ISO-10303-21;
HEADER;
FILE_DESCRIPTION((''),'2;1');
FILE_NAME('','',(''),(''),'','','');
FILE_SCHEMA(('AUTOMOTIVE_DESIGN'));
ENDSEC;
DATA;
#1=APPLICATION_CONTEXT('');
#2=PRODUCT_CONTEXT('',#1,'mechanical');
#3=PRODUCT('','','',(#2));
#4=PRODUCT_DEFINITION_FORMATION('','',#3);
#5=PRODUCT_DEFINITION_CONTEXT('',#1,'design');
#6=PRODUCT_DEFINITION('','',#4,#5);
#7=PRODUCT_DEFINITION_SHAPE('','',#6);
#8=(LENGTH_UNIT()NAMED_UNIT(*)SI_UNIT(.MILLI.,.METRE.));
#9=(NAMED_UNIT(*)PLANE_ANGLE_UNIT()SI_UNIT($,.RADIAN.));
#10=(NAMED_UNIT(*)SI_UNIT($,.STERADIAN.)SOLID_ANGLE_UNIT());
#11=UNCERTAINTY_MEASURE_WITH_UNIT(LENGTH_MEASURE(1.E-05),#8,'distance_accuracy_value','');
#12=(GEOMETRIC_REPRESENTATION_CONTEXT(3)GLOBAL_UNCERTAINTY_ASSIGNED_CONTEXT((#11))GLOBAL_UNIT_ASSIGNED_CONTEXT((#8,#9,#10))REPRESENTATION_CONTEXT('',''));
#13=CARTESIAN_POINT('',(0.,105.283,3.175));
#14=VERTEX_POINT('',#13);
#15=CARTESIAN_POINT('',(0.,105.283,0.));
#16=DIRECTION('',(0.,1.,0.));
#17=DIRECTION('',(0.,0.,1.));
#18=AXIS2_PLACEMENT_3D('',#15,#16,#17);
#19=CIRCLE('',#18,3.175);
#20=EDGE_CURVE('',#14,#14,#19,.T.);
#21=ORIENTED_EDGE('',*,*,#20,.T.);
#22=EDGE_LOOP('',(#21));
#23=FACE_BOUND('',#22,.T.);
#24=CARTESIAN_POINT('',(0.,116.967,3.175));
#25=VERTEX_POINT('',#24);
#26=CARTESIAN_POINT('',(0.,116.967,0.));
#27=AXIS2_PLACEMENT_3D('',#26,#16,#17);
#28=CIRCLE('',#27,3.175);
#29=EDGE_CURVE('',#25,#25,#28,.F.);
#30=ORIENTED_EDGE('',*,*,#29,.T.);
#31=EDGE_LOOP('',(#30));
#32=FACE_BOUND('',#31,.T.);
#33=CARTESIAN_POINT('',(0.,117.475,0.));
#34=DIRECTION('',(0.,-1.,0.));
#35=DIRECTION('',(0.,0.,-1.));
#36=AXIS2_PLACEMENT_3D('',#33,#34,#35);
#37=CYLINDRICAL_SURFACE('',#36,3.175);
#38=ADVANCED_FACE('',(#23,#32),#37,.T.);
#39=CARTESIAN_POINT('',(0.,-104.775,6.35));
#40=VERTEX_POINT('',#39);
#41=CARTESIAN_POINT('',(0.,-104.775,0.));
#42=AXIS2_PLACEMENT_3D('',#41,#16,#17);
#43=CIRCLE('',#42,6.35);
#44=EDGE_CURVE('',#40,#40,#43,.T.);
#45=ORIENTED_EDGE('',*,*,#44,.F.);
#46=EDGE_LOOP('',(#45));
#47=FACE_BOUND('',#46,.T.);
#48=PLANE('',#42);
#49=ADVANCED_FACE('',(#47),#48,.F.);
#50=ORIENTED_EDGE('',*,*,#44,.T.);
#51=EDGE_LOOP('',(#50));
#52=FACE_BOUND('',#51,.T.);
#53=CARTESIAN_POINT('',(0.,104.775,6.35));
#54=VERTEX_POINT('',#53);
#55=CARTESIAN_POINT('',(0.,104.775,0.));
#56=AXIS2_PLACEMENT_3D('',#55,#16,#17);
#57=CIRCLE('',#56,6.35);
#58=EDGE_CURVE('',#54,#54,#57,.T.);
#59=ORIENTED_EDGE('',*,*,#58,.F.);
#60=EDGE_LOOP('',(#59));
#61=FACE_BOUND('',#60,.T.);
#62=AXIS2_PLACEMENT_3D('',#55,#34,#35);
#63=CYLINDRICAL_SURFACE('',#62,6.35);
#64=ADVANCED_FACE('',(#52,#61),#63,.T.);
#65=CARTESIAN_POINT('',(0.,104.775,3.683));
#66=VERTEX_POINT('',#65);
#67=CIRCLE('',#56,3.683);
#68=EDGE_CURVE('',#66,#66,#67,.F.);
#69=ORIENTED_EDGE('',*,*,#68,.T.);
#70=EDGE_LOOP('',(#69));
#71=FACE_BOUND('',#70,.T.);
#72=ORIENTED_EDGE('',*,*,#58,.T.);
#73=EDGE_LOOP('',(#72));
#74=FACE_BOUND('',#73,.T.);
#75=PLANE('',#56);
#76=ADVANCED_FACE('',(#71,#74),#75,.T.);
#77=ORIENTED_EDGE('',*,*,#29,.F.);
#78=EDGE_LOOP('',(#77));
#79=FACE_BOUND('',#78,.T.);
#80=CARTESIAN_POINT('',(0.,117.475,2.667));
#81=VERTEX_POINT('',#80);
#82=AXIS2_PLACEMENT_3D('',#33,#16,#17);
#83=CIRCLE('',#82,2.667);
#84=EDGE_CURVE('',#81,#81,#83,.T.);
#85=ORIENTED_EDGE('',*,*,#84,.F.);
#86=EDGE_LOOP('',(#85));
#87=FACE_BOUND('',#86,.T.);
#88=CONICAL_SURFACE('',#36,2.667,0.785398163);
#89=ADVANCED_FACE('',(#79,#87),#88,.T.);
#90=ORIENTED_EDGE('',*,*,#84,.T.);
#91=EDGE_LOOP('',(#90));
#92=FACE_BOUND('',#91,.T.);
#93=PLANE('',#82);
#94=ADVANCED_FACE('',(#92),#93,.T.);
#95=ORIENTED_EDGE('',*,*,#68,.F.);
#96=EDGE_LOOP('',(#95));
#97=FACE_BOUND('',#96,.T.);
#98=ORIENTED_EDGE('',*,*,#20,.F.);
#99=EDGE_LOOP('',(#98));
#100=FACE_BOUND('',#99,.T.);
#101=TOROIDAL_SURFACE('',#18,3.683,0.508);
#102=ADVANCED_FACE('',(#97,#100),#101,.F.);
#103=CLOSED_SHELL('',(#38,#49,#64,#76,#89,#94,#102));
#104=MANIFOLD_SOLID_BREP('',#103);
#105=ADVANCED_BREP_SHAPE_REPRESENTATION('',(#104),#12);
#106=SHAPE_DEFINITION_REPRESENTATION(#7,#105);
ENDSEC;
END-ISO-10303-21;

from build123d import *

# Parameters (mm, degrees)
SKETCH1_R           = 6.35
BOSS_EXTRUDE1_DEPTH = 104.775
SKETCH2_R           = 3.175
BOSS_EXTRUDE2_DEPTH = 12.7
FILLET1_R           = 0.508
CHAMFER1_SIZE       = 0.508


with BuildPart() as part:
    # Sketch1 → Boss-Extrude1 (new body, symmetric)
    with BuildSketch(Plane(origin=(0, 0, 0), x_dir=(1, 0, 0), z_dir=(0, 1, 0))):
        Circle(SKETCH1_R)
    extrude(amount=BOSS_EXTRUDE1_DEPTH, both=True)

    # Sketch2 → Boss-Extrude2 (add)
    with BuildSketch(Plane(origin=(0, 104.775, 0), x_dir=(1, 0, 0), z_dir=(0, 1, 0))):
        Circle(SKETCH2_R)
    extrude(amount=BOSS_EXTRUDE2_DEPTH)

    # Fillet1
    fillet1_edges = [part.edges().sort_by_distance(p)[0] for p in [
        (-3.175, 104.775, 0),
    ]]
    fillet(fillet1_edges, radius=FILLET1_R)

    # Chamfer1
    chamfer1_edges = [part.edges().sort_by_distance(p)[0] for p in [
        (-3.175, 117.475, 0),
    ]]
    chamfer(chamfer1_edges, length=CHAMFER1_SIZE)


solid = part.part
